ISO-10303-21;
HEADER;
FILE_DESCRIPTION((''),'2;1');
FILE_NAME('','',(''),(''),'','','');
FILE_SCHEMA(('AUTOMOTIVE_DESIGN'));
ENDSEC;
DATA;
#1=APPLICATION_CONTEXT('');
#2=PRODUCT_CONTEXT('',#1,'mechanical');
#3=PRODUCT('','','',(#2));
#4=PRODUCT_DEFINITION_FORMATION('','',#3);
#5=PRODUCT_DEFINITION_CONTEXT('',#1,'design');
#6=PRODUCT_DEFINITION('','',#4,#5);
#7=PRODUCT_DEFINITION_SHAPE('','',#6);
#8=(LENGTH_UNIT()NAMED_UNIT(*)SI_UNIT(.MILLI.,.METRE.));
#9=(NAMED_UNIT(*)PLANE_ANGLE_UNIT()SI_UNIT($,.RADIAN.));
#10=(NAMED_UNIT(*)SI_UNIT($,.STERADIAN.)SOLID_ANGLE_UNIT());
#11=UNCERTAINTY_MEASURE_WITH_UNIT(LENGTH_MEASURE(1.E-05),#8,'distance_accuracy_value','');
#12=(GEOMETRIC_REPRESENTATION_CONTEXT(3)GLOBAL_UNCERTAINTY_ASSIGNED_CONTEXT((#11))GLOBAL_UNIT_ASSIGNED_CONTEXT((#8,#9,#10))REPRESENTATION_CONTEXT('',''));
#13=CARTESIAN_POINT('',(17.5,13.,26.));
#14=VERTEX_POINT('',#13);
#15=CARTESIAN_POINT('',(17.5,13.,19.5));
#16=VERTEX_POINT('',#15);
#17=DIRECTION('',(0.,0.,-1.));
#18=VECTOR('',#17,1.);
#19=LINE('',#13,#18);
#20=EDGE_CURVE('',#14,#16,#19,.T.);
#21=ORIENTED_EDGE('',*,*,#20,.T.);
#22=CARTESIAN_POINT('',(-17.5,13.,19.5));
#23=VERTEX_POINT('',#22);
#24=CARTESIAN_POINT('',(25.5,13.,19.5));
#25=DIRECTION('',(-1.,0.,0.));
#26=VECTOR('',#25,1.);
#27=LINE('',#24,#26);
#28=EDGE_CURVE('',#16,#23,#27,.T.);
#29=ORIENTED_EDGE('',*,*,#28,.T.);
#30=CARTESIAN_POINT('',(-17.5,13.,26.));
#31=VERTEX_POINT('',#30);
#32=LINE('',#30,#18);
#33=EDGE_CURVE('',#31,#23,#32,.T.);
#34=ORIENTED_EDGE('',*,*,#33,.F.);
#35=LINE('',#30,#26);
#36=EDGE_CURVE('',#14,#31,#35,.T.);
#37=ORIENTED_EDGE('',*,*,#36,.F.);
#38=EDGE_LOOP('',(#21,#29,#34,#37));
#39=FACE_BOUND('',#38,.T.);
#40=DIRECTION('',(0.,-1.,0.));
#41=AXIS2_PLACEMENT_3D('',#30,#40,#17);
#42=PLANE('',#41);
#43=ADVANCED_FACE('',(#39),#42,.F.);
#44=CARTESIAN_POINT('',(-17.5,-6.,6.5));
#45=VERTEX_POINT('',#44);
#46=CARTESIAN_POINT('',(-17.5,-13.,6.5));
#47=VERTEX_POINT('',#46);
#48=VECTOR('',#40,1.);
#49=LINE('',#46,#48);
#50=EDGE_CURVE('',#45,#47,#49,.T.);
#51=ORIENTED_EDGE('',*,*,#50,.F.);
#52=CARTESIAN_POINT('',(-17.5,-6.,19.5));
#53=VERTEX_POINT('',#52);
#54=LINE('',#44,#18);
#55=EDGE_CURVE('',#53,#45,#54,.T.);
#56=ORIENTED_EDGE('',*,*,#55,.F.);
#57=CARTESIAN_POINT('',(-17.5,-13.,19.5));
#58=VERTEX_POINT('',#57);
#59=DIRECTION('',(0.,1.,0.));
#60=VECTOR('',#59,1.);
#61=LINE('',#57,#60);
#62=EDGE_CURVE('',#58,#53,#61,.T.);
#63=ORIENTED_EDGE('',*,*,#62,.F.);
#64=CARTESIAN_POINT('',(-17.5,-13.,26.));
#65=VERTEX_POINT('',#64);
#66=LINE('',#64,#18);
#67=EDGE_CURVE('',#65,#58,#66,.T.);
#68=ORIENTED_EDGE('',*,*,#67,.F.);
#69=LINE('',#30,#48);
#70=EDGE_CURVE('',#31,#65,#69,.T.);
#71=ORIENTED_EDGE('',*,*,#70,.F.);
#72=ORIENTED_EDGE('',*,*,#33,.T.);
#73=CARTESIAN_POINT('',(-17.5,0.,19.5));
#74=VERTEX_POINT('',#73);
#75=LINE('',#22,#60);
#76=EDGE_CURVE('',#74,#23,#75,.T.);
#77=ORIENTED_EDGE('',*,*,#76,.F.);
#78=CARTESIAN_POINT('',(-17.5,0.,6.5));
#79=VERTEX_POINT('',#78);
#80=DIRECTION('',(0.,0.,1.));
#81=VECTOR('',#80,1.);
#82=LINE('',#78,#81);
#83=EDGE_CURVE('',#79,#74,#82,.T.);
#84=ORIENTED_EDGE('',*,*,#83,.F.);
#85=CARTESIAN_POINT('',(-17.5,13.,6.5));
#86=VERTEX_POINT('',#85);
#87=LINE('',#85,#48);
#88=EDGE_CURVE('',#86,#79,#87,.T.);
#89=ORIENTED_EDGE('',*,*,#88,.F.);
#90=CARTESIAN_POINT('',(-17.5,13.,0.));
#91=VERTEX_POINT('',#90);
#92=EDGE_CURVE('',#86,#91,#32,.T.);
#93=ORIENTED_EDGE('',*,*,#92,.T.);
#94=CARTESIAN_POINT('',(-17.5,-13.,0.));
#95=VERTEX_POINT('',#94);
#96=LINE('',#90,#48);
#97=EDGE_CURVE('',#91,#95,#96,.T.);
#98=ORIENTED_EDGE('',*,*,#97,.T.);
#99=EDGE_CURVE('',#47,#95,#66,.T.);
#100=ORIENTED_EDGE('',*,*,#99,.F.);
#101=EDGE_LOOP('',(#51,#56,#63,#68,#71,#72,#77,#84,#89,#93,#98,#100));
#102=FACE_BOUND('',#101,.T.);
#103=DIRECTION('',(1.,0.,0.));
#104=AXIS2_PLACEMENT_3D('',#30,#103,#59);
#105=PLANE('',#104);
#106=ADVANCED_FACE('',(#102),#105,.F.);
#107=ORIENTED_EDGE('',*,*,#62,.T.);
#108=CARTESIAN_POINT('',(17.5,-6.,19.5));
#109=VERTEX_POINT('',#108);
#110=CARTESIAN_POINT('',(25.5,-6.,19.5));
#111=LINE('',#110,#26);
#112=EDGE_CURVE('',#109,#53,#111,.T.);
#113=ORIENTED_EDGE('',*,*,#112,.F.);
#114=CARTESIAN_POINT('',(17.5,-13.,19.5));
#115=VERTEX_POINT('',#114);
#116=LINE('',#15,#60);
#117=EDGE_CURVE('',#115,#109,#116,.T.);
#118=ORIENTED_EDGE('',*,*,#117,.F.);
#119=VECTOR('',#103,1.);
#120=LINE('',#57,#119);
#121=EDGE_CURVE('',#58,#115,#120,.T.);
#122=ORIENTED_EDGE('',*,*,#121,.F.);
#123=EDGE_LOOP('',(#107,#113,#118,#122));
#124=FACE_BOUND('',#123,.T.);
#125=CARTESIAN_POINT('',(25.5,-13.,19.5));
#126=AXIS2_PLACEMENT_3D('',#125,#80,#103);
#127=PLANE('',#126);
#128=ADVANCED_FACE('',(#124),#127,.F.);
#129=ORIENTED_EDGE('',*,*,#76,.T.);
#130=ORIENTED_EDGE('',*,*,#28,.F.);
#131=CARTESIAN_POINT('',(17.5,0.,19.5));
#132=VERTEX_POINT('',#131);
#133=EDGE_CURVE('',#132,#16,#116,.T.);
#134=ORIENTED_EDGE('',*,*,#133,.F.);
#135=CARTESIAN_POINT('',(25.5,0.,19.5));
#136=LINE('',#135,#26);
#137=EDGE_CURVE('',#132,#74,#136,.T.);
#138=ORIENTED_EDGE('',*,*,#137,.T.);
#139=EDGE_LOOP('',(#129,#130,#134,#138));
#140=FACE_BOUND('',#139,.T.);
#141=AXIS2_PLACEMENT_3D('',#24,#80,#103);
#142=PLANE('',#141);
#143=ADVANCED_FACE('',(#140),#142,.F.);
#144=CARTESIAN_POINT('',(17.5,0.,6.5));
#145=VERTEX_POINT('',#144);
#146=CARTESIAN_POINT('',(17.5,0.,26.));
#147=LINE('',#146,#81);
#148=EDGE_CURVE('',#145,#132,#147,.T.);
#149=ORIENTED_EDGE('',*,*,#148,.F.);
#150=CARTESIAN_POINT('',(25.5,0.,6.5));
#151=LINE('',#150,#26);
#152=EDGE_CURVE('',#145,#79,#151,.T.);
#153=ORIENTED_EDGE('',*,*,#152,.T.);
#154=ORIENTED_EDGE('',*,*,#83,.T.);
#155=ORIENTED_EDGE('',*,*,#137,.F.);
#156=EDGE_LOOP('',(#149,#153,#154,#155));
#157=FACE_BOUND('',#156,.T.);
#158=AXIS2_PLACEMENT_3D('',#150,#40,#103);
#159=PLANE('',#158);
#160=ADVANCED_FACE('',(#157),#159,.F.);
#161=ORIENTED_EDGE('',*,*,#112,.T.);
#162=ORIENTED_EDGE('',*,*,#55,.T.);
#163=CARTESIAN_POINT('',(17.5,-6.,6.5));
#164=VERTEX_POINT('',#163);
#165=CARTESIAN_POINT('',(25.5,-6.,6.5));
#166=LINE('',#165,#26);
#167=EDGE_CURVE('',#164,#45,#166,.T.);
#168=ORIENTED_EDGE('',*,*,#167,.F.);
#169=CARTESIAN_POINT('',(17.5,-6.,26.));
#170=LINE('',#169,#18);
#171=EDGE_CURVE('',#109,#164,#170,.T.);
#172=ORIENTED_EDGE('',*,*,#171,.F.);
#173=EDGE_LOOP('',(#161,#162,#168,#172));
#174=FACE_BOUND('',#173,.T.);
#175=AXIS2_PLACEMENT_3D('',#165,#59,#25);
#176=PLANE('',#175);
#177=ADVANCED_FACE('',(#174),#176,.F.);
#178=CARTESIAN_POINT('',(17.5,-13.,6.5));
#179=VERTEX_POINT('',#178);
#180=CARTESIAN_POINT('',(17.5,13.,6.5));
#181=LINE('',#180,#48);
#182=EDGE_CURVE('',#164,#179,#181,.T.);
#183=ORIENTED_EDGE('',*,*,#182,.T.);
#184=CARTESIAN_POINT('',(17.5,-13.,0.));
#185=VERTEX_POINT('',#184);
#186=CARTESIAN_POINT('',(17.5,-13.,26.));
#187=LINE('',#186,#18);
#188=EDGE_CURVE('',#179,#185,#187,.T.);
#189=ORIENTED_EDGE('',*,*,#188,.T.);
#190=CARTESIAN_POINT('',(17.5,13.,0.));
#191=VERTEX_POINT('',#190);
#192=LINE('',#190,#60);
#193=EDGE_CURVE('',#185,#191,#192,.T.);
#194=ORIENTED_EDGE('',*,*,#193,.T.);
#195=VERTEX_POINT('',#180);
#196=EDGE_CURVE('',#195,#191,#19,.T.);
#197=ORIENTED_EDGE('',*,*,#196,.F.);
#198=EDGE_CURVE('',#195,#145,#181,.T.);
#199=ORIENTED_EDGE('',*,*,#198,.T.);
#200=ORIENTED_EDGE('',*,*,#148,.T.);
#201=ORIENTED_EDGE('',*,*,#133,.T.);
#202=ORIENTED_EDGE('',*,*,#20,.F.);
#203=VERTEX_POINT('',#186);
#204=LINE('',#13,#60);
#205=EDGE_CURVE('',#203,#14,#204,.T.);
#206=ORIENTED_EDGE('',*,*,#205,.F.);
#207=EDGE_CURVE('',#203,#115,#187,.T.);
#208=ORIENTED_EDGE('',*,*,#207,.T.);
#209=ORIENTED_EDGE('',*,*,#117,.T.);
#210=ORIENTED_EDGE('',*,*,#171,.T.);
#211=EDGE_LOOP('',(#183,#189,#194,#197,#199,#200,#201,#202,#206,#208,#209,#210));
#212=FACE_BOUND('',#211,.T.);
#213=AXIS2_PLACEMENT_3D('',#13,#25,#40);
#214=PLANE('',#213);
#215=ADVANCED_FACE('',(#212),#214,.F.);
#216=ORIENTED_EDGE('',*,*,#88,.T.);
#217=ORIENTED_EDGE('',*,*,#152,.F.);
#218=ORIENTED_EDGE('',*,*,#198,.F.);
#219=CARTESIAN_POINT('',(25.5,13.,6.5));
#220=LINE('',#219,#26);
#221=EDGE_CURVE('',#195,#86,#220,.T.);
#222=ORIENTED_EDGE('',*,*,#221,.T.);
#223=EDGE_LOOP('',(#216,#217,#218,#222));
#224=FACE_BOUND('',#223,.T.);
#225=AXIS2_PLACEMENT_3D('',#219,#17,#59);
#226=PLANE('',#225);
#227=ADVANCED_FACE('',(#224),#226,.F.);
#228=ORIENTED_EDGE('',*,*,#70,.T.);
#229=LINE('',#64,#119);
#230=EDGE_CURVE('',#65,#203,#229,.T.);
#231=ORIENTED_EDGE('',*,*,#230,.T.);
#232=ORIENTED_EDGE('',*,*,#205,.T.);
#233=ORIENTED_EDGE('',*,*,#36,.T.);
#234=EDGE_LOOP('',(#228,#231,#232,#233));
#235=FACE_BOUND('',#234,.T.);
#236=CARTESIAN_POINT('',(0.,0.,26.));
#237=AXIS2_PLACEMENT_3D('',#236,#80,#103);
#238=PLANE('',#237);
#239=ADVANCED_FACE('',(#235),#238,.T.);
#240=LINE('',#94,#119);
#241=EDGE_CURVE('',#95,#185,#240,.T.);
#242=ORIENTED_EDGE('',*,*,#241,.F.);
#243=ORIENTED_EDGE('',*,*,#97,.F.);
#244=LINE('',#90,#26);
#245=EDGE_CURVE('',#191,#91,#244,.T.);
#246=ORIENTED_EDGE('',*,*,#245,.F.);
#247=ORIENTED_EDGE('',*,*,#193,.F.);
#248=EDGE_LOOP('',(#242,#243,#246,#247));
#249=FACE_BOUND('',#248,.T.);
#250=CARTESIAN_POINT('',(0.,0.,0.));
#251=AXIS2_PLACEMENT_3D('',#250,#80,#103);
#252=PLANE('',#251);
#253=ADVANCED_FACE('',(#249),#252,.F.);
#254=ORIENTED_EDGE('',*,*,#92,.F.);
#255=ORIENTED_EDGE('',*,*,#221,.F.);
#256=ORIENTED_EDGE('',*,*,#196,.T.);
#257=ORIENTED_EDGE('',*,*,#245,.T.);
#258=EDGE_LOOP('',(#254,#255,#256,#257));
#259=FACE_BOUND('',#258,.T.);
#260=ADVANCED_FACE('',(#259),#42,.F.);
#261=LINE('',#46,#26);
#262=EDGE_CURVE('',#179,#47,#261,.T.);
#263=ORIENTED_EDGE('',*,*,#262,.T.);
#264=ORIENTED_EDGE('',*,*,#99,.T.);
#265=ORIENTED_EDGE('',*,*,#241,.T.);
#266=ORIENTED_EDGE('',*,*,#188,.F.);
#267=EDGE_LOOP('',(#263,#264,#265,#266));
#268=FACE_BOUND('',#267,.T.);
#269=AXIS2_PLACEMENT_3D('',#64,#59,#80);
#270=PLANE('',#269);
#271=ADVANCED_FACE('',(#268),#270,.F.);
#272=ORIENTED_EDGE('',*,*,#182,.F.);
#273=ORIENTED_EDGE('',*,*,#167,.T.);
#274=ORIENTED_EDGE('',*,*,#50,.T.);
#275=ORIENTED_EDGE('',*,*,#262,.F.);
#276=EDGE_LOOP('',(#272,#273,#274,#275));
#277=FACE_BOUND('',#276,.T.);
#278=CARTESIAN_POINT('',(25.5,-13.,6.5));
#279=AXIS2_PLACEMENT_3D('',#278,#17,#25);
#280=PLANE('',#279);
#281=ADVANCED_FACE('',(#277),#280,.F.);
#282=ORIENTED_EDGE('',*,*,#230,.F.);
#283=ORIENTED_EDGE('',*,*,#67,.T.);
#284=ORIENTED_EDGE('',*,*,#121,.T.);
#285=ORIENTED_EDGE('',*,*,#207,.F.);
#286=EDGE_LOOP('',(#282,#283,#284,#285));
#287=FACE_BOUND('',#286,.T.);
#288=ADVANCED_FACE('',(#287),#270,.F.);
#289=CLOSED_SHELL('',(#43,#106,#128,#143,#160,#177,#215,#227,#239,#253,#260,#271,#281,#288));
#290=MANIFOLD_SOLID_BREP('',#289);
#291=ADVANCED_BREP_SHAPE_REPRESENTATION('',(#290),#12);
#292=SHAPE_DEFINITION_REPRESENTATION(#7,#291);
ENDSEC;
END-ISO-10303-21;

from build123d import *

# Parameters (mm, degrees)
SKETCH_1_W          = 35
SKETCH_1_H          = 26
EXTRUDE_1_DEPTH     = 26
SKETCH_3_W          = 13
SKETCH_3_H          = 13
SKETCH_3_H_2        = 7
CUT_EXTRUDE_1_DEPTH = 43


with BuildPart() as part:
    # 草圖1 → 填料-伸長1 (new body)
    with BuildSketch(Plane.XY):
        Rectangle(SKETCH_1_W, SKETCH_1_H)
    extrude(amount=EXTRUDE_1_DEPTH)

    # 草圖3 → 除料-伸長1 (cut)
    with BuildSketch(Plane.ZY.offset(17.5)):
        with Locations((13, 6.5)):
            Rectangle(SKETCH_3_W, SKETCH_3_H)
        with Locations((13, -9.5)):
            Rectangle(SKETCH_3_W, SKETCH_3_H_2)
    extrude(amount=-CUT_EXTRUDE_1_DEPTH, mode=Mode.SUBTRACT)


solid = part.part
